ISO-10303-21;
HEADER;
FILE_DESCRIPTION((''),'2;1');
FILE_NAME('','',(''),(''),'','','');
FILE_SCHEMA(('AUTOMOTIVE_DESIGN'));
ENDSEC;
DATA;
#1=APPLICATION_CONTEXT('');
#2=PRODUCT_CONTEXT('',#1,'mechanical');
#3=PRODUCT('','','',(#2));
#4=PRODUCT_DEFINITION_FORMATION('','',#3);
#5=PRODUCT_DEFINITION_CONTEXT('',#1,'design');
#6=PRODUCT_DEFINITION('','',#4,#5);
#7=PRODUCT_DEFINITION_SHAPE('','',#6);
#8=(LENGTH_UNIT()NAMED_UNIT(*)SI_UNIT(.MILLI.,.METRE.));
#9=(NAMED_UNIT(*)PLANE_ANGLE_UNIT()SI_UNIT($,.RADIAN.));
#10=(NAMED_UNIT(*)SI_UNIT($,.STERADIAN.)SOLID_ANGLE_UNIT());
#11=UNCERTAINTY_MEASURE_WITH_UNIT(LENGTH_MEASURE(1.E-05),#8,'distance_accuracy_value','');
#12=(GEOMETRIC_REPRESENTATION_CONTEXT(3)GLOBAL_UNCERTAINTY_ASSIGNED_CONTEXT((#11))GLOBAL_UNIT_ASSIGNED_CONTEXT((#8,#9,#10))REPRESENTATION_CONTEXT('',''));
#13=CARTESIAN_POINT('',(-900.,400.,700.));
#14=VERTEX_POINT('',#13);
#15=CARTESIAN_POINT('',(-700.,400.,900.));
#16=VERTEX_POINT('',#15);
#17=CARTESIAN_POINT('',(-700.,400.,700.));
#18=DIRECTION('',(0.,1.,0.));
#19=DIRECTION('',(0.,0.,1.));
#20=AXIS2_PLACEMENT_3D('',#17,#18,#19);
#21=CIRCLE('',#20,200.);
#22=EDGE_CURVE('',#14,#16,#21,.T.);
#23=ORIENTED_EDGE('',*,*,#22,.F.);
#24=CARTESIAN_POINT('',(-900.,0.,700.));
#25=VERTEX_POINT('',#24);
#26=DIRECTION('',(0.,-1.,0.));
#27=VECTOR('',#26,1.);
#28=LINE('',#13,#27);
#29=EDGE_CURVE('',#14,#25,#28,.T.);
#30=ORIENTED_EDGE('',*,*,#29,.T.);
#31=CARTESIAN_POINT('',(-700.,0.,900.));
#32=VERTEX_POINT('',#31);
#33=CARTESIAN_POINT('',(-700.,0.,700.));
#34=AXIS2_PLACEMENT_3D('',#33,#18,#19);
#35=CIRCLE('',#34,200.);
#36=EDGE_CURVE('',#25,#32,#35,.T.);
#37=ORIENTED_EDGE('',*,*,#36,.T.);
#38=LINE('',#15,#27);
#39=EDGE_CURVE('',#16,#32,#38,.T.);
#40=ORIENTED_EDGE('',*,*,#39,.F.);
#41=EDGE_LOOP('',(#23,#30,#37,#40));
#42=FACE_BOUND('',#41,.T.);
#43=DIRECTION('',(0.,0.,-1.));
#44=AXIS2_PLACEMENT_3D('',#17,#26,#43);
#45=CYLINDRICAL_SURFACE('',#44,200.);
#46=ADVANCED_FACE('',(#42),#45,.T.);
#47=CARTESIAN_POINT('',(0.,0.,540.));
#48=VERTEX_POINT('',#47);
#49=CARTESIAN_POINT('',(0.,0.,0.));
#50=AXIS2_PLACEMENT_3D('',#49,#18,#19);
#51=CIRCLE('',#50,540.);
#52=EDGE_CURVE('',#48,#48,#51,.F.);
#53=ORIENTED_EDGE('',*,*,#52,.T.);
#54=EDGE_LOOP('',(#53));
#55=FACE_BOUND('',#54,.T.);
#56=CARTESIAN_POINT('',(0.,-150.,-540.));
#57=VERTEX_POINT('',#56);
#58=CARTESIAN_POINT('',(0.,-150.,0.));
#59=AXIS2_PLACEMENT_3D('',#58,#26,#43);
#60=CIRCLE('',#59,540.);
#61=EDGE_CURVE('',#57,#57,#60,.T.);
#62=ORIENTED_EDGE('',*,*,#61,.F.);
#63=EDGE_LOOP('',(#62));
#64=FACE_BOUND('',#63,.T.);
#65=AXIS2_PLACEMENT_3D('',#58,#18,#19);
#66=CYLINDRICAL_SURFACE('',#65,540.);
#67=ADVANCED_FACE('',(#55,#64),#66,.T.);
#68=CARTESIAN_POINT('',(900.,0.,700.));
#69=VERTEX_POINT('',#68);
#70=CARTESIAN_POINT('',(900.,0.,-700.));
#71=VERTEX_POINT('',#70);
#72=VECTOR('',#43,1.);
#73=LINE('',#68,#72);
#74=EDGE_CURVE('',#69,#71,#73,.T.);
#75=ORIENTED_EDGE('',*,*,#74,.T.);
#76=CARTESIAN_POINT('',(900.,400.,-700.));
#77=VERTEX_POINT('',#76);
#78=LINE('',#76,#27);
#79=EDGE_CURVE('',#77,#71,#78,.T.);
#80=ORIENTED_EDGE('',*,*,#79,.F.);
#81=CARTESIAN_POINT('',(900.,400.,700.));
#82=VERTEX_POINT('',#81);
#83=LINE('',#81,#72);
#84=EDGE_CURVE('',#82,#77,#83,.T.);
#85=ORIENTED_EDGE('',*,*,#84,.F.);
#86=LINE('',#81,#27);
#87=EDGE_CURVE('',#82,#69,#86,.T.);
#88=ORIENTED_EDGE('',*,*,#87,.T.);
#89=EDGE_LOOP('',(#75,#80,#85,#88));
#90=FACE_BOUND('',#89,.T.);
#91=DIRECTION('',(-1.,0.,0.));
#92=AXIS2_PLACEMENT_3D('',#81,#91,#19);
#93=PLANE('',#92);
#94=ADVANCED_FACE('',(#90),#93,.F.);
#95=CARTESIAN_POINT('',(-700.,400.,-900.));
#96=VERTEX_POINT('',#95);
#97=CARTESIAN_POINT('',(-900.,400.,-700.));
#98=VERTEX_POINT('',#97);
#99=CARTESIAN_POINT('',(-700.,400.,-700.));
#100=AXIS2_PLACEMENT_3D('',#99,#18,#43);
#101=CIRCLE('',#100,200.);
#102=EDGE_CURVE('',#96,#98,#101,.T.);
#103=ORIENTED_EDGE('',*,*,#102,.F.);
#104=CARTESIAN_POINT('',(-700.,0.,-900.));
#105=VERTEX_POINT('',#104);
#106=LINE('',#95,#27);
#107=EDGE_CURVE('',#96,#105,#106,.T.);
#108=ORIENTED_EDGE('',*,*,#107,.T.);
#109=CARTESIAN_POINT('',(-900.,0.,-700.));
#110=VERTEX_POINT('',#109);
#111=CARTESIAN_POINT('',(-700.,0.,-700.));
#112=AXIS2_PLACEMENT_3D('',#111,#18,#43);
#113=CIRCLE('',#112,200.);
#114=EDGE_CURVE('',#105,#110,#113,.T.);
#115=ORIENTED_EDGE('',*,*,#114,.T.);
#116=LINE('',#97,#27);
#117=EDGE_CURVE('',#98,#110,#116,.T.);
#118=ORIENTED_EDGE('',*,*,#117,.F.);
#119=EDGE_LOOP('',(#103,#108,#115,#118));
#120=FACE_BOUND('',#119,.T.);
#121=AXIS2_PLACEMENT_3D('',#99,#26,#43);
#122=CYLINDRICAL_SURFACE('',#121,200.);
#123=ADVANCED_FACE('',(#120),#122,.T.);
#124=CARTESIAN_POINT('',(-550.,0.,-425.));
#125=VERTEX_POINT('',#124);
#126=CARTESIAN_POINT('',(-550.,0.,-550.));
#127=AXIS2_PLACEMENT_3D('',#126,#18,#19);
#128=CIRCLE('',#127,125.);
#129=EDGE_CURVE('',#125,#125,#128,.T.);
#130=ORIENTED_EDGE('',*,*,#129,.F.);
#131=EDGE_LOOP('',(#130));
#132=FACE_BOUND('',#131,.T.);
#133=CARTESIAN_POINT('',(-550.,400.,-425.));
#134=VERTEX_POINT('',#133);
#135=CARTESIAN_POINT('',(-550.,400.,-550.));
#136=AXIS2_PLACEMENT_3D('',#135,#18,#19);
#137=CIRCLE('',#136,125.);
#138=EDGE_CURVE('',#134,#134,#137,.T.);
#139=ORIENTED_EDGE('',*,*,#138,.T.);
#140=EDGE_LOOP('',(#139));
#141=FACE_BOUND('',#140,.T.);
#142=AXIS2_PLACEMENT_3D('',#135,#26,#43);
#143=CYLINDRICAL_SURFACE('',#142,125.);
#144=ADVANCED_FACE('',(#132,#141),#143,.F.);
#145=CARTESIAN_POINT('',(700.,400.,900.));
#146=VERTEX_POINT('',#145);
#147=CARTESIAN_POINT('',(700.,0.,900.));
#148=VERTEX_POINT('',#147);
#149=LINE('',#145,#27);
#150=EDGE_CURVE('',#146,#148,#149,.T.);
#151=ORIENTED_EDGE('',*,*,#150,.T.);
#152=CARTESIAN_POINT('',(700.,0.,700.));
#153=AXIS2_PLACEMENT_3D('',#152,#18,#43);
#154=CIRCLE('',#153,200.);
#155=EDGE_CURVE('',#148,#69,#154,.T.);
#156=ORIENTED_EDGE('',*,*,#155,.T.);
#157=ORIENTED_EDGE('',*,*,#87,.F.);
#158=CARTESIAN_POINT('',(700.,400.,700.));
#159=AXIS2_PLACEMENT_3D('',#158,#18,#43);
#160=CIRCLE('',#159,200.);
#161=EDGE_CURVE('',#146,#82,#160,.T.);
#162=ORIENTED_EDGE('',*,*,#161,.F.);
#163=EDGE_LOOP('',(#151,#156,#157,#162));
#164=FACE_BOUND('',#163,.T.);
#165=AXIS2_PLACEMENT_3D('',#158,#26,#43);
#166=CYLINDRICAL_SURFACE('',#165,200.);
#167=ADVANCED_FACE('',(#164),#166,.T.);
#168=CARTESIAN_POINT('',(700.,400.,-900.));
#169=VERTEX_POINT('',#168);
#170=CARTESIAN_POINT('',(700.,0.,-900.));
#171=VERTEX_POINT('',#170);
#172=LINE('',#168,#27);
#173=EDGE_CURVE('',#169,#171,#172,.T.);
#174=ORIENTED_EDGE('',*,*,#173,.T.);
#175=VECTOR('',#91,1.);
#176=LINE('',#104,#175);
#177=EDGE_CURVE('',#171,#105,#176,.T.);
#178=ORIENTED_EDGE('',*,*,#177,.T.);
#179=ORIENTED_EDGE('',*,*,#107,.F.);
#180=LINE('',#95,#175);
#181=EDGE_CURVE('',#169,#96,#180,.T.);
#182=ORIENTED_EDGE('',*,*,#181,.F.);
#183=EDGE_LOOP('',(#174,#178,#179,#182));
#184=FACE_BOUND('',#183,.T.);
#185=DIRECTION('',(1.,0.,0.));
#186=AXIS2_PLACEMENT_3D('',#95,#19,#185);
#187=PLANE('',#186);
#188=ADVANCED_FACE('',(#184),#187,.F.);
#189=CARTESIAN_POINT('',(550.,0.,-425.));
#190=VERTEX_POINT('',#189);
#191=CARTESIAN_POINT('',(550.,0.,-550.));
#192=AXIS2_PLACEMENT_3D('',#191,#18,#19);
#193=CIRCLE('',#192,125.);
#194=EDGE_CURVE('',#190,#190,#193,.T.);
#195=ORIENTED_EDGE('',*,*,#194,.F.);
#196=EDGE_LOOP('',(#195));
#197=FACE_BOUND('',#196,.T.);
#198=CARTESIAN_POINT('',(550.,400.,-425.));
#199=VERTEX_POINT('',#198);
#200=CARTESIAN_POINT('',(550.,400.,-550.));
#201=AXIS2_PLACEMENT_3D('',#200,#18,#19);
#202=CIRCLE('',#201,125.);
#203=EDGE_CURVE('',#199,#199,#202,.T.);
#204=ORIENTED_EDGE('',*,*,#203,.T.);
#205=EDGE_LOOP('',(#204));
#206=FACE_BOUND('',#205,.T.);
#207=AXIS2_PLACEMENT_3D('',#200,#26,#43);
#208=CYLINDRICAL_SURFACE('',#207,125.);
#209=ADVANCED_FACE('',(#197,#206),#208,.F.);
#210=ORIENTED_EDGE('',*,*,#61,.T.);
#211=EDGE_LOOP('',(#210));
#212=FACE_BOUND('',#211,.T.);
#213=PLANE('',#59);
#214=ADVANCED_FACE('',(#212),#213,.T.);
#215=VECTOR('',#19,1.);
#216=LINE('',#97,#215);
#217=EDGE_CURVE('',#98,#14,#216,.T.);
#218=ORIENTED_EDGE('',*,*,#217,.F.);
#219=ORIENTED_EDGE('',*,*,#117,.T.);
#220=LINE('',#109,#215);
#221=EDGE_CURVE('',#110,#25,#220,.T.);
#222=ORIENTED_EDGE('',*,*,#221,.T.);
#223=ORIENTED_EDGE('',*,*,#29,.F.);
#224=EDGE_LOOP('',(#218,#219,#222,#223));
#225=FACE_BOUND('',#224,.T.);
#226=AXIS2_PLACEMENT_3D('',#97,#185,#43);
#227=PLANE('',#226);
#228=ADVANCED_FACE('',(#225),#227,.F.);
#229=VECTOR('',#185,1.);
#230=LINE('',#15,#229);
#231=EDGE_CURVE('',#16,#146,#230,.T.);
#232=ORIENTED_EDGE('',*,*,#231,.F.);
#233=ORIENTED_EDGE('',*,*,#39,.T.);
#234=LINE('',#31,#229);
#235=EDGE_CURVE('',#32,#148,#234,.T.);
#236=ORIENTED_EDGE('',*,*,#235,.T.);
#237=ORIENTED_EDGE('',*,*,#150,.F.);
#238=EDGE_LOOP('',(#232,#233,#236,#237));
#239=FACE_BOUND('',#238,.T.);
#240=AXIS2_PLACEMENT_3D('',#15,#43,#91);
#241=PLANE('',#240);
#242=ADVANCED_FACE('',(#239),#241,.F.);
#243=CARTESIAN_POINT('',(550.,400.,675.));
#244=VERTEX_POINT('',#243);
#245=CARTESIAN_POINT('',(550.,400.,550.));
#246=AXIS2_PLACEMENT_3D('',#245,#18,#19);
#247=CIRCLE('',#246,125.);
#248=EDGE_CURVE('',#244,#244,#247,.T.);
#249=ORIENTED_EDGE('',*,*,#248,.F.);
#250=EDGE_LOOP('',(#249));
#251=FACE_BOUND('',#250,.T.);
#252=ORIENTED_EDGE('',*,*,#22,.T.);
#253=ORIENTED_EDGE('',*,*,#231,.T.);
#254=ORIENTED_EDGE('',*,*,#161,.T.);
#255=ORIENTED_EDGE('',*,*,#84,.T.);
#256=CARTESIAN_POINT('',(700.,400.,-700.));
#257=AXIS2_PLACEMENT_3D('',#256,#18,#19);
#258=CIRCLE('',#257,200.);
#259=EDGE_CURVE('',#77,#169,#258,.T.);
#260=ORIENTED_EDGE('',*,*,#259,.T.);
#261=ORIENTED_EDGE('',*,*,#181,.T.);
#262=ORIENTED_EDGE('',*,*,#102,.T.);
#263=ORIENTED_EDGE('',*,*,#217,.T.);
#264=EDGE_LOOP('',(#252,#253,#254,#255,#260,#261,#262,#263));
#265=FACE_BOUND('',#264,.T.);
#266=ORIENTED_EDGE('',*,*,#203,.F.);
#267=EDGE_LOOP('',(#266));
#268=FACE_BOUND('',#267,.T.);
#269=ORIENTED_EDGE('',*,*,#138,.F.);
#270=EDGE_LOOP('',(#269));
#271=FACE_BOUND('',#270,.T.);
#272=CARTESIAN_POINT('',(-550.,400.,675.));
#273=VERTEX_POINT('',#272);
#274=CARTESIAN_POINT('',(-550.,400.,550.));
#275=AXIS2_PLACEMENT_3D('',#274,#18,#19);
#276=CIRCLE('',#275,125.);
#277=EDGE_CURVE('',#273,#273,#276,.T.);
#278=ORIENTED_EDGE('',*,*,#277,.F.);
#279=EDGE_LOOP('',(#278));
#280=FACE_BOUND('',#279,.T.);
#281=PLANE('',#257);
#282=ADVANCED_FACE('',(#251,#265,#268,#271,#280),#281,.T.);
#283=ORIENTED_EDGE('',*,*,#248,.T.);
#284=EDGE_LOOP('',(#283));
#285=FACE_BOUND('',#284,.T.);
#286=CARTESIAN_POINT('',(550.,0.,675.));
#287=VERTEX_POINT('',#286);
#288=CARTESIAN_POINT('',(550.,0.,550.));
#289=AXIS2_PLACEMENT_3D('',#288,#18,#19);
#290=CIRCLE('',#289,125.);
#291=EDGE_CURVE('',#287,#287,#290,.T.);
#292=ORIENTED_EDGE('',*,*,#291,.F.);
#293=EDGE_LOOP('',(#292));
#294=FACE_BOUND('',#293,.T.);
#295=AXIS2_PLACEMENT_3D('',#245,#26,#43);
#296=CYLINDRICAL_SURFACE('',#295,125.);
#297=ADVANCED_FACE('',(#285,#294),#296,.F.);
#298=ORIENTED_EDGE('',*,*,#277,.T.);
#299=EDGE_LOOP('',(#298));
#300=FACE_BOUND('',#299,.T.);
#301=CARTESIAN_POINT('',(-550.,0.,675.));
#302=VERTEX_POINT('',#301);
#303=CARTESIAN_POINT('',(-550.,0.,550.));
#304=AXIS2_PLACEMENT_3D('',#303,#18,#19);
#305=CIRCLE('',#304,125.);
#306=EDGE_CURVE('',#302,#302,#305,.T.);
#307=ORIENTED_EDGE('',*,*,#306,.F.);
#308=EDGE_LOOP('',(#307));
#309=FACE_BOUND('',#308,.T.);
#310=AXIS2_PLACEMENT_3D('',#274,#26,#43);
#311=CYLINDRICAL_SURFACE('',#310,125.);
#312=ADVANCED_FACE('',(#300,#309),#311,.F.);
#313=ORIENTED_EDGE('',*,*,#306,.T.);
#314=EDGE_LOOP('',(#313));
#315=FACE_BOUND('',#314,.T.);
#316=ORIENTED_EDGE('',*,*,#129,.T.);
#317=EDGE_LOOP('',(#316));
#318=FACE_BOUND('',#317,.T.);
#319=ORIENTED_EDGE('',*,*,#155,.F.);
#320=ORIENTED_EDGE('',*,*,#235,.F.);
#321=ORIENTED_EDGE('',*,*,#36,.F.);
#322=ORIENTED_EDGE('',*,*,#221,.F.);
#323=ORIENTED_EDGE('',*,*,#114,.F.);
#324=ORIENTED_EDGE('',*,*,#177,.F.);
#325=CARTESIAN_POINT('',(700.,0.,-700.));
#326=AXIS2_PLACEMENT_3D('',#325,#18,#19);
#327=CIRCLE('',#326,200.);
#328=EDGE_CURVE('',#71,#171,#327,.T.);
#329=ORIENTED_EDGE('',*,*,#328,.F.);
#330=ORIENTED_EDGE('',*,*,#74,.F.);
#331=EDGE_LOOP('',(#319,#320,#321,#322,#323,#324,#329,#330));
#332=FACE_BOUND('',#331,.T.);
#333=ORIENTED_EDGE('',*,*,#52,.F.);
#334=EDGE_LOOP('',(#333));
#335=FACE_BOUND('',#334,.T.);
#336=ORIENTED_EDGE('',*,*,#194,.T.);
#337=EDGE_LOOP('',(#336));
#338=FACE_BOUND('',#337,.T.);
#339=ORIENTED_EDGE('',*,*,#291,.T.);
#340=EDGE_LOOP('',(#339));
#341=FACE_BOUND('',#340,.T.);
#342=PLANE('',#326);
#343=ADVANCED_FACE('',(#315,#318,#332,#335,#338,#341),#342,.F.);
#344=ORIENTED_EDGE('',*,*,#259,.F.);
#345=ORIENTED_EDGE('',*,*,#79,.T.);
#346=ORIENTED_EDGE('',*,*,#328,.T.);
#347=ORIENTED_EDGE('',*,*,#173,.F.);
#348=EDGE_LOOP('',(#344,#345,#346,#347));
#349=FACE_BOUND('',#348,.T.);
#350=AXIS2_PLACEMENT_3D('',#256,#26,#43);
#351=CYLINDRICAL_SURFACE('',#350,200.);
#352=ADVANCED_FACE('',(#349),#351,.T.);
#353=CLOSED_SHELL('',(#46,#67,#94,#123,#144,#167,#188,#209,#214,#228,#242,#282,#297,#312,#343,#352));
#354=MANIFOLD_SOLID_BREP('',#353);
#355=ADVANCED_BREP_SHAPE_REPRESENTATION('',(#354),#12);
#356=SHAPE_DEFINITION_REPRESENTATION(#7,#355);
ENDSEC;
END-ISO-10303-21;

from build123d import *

# Parameters (mm, degrees)
IZIM1_R                     = 125
Y_KSEKLIK_EKSTR_ZYON2_DEPTH = 400
IZIM2_R                     = 530
KES_EKSTR_ZYON1_DEPTH       = 150
IZIM3_R                     = 540
Y_KSEKLIK_EKSTR_ZYON3_DEPTH = 300


with BuildPart() as part:
    # Çizim1 → Yükseklik-Ekstrüzyon2 (new body)
    with BuildSketch(Plane(origin=(0, 0, 0), x_dir=(1, 0, 0), z_dir=(0, 1, 0))):
        with BuildLine():
            Line((-900, 700), (-900, -700))
            ThreePointArc((-900, -700), (-841.421356237, -841.421356237), (-700, -900))
            Line((-700, -900), (700, -900))
            ThreePointArc((700, -900), (841.421356237, -841.421356237), (900, -700))
            Line((900, -700), (900, 700))
            ThreePointArc((900, 700), (841.421356237, 841.421356237), (700, 900))
            Line((700, 900), (-700, 900))
            ThreePointArc((-700, 900), (-841.421356237, 841.421356237), (-900, 700))
        make_face()
        with Locations((-550, 550)):
            Circle(IZIM1_R, mode=Mode.SUBTRACT)
        with Locations((550, 550)):
            Circle(IZIM1_R, mode=Mode.SUBTRACT)
        with Locations((-550, -550)):
            Circle(IZIM1_R, mode=Mode.SUBTRACT)
        with Locations((550, -550)):
            Circle(IZIM1_R, mode=Mode.SUBTRACT)
    extrude(amount=Y_KSEKLIK_EKSTR_ZYON2_DEPTH)

    # Çizim2 → Kes-Ekstrüzyon1 (cut)
    with BuildSketch(Plane.XZ):
        Circle(IZIM2_R)
    extrude(amount=-KES_EKSTR_ZYON1_DEPTH, mode=Mode.SUBTRACT)

    # Çizim3 → Yükseklik-Ekstrüzyon3 (add)
    with BuildSketch(Plane.XZ.offset(-150)):
        Circle(IZIM3_R)
    extrude(amount=Y_KSEKLIK_EKSTR_ZYON3_DEPTH)


solid = part.part
